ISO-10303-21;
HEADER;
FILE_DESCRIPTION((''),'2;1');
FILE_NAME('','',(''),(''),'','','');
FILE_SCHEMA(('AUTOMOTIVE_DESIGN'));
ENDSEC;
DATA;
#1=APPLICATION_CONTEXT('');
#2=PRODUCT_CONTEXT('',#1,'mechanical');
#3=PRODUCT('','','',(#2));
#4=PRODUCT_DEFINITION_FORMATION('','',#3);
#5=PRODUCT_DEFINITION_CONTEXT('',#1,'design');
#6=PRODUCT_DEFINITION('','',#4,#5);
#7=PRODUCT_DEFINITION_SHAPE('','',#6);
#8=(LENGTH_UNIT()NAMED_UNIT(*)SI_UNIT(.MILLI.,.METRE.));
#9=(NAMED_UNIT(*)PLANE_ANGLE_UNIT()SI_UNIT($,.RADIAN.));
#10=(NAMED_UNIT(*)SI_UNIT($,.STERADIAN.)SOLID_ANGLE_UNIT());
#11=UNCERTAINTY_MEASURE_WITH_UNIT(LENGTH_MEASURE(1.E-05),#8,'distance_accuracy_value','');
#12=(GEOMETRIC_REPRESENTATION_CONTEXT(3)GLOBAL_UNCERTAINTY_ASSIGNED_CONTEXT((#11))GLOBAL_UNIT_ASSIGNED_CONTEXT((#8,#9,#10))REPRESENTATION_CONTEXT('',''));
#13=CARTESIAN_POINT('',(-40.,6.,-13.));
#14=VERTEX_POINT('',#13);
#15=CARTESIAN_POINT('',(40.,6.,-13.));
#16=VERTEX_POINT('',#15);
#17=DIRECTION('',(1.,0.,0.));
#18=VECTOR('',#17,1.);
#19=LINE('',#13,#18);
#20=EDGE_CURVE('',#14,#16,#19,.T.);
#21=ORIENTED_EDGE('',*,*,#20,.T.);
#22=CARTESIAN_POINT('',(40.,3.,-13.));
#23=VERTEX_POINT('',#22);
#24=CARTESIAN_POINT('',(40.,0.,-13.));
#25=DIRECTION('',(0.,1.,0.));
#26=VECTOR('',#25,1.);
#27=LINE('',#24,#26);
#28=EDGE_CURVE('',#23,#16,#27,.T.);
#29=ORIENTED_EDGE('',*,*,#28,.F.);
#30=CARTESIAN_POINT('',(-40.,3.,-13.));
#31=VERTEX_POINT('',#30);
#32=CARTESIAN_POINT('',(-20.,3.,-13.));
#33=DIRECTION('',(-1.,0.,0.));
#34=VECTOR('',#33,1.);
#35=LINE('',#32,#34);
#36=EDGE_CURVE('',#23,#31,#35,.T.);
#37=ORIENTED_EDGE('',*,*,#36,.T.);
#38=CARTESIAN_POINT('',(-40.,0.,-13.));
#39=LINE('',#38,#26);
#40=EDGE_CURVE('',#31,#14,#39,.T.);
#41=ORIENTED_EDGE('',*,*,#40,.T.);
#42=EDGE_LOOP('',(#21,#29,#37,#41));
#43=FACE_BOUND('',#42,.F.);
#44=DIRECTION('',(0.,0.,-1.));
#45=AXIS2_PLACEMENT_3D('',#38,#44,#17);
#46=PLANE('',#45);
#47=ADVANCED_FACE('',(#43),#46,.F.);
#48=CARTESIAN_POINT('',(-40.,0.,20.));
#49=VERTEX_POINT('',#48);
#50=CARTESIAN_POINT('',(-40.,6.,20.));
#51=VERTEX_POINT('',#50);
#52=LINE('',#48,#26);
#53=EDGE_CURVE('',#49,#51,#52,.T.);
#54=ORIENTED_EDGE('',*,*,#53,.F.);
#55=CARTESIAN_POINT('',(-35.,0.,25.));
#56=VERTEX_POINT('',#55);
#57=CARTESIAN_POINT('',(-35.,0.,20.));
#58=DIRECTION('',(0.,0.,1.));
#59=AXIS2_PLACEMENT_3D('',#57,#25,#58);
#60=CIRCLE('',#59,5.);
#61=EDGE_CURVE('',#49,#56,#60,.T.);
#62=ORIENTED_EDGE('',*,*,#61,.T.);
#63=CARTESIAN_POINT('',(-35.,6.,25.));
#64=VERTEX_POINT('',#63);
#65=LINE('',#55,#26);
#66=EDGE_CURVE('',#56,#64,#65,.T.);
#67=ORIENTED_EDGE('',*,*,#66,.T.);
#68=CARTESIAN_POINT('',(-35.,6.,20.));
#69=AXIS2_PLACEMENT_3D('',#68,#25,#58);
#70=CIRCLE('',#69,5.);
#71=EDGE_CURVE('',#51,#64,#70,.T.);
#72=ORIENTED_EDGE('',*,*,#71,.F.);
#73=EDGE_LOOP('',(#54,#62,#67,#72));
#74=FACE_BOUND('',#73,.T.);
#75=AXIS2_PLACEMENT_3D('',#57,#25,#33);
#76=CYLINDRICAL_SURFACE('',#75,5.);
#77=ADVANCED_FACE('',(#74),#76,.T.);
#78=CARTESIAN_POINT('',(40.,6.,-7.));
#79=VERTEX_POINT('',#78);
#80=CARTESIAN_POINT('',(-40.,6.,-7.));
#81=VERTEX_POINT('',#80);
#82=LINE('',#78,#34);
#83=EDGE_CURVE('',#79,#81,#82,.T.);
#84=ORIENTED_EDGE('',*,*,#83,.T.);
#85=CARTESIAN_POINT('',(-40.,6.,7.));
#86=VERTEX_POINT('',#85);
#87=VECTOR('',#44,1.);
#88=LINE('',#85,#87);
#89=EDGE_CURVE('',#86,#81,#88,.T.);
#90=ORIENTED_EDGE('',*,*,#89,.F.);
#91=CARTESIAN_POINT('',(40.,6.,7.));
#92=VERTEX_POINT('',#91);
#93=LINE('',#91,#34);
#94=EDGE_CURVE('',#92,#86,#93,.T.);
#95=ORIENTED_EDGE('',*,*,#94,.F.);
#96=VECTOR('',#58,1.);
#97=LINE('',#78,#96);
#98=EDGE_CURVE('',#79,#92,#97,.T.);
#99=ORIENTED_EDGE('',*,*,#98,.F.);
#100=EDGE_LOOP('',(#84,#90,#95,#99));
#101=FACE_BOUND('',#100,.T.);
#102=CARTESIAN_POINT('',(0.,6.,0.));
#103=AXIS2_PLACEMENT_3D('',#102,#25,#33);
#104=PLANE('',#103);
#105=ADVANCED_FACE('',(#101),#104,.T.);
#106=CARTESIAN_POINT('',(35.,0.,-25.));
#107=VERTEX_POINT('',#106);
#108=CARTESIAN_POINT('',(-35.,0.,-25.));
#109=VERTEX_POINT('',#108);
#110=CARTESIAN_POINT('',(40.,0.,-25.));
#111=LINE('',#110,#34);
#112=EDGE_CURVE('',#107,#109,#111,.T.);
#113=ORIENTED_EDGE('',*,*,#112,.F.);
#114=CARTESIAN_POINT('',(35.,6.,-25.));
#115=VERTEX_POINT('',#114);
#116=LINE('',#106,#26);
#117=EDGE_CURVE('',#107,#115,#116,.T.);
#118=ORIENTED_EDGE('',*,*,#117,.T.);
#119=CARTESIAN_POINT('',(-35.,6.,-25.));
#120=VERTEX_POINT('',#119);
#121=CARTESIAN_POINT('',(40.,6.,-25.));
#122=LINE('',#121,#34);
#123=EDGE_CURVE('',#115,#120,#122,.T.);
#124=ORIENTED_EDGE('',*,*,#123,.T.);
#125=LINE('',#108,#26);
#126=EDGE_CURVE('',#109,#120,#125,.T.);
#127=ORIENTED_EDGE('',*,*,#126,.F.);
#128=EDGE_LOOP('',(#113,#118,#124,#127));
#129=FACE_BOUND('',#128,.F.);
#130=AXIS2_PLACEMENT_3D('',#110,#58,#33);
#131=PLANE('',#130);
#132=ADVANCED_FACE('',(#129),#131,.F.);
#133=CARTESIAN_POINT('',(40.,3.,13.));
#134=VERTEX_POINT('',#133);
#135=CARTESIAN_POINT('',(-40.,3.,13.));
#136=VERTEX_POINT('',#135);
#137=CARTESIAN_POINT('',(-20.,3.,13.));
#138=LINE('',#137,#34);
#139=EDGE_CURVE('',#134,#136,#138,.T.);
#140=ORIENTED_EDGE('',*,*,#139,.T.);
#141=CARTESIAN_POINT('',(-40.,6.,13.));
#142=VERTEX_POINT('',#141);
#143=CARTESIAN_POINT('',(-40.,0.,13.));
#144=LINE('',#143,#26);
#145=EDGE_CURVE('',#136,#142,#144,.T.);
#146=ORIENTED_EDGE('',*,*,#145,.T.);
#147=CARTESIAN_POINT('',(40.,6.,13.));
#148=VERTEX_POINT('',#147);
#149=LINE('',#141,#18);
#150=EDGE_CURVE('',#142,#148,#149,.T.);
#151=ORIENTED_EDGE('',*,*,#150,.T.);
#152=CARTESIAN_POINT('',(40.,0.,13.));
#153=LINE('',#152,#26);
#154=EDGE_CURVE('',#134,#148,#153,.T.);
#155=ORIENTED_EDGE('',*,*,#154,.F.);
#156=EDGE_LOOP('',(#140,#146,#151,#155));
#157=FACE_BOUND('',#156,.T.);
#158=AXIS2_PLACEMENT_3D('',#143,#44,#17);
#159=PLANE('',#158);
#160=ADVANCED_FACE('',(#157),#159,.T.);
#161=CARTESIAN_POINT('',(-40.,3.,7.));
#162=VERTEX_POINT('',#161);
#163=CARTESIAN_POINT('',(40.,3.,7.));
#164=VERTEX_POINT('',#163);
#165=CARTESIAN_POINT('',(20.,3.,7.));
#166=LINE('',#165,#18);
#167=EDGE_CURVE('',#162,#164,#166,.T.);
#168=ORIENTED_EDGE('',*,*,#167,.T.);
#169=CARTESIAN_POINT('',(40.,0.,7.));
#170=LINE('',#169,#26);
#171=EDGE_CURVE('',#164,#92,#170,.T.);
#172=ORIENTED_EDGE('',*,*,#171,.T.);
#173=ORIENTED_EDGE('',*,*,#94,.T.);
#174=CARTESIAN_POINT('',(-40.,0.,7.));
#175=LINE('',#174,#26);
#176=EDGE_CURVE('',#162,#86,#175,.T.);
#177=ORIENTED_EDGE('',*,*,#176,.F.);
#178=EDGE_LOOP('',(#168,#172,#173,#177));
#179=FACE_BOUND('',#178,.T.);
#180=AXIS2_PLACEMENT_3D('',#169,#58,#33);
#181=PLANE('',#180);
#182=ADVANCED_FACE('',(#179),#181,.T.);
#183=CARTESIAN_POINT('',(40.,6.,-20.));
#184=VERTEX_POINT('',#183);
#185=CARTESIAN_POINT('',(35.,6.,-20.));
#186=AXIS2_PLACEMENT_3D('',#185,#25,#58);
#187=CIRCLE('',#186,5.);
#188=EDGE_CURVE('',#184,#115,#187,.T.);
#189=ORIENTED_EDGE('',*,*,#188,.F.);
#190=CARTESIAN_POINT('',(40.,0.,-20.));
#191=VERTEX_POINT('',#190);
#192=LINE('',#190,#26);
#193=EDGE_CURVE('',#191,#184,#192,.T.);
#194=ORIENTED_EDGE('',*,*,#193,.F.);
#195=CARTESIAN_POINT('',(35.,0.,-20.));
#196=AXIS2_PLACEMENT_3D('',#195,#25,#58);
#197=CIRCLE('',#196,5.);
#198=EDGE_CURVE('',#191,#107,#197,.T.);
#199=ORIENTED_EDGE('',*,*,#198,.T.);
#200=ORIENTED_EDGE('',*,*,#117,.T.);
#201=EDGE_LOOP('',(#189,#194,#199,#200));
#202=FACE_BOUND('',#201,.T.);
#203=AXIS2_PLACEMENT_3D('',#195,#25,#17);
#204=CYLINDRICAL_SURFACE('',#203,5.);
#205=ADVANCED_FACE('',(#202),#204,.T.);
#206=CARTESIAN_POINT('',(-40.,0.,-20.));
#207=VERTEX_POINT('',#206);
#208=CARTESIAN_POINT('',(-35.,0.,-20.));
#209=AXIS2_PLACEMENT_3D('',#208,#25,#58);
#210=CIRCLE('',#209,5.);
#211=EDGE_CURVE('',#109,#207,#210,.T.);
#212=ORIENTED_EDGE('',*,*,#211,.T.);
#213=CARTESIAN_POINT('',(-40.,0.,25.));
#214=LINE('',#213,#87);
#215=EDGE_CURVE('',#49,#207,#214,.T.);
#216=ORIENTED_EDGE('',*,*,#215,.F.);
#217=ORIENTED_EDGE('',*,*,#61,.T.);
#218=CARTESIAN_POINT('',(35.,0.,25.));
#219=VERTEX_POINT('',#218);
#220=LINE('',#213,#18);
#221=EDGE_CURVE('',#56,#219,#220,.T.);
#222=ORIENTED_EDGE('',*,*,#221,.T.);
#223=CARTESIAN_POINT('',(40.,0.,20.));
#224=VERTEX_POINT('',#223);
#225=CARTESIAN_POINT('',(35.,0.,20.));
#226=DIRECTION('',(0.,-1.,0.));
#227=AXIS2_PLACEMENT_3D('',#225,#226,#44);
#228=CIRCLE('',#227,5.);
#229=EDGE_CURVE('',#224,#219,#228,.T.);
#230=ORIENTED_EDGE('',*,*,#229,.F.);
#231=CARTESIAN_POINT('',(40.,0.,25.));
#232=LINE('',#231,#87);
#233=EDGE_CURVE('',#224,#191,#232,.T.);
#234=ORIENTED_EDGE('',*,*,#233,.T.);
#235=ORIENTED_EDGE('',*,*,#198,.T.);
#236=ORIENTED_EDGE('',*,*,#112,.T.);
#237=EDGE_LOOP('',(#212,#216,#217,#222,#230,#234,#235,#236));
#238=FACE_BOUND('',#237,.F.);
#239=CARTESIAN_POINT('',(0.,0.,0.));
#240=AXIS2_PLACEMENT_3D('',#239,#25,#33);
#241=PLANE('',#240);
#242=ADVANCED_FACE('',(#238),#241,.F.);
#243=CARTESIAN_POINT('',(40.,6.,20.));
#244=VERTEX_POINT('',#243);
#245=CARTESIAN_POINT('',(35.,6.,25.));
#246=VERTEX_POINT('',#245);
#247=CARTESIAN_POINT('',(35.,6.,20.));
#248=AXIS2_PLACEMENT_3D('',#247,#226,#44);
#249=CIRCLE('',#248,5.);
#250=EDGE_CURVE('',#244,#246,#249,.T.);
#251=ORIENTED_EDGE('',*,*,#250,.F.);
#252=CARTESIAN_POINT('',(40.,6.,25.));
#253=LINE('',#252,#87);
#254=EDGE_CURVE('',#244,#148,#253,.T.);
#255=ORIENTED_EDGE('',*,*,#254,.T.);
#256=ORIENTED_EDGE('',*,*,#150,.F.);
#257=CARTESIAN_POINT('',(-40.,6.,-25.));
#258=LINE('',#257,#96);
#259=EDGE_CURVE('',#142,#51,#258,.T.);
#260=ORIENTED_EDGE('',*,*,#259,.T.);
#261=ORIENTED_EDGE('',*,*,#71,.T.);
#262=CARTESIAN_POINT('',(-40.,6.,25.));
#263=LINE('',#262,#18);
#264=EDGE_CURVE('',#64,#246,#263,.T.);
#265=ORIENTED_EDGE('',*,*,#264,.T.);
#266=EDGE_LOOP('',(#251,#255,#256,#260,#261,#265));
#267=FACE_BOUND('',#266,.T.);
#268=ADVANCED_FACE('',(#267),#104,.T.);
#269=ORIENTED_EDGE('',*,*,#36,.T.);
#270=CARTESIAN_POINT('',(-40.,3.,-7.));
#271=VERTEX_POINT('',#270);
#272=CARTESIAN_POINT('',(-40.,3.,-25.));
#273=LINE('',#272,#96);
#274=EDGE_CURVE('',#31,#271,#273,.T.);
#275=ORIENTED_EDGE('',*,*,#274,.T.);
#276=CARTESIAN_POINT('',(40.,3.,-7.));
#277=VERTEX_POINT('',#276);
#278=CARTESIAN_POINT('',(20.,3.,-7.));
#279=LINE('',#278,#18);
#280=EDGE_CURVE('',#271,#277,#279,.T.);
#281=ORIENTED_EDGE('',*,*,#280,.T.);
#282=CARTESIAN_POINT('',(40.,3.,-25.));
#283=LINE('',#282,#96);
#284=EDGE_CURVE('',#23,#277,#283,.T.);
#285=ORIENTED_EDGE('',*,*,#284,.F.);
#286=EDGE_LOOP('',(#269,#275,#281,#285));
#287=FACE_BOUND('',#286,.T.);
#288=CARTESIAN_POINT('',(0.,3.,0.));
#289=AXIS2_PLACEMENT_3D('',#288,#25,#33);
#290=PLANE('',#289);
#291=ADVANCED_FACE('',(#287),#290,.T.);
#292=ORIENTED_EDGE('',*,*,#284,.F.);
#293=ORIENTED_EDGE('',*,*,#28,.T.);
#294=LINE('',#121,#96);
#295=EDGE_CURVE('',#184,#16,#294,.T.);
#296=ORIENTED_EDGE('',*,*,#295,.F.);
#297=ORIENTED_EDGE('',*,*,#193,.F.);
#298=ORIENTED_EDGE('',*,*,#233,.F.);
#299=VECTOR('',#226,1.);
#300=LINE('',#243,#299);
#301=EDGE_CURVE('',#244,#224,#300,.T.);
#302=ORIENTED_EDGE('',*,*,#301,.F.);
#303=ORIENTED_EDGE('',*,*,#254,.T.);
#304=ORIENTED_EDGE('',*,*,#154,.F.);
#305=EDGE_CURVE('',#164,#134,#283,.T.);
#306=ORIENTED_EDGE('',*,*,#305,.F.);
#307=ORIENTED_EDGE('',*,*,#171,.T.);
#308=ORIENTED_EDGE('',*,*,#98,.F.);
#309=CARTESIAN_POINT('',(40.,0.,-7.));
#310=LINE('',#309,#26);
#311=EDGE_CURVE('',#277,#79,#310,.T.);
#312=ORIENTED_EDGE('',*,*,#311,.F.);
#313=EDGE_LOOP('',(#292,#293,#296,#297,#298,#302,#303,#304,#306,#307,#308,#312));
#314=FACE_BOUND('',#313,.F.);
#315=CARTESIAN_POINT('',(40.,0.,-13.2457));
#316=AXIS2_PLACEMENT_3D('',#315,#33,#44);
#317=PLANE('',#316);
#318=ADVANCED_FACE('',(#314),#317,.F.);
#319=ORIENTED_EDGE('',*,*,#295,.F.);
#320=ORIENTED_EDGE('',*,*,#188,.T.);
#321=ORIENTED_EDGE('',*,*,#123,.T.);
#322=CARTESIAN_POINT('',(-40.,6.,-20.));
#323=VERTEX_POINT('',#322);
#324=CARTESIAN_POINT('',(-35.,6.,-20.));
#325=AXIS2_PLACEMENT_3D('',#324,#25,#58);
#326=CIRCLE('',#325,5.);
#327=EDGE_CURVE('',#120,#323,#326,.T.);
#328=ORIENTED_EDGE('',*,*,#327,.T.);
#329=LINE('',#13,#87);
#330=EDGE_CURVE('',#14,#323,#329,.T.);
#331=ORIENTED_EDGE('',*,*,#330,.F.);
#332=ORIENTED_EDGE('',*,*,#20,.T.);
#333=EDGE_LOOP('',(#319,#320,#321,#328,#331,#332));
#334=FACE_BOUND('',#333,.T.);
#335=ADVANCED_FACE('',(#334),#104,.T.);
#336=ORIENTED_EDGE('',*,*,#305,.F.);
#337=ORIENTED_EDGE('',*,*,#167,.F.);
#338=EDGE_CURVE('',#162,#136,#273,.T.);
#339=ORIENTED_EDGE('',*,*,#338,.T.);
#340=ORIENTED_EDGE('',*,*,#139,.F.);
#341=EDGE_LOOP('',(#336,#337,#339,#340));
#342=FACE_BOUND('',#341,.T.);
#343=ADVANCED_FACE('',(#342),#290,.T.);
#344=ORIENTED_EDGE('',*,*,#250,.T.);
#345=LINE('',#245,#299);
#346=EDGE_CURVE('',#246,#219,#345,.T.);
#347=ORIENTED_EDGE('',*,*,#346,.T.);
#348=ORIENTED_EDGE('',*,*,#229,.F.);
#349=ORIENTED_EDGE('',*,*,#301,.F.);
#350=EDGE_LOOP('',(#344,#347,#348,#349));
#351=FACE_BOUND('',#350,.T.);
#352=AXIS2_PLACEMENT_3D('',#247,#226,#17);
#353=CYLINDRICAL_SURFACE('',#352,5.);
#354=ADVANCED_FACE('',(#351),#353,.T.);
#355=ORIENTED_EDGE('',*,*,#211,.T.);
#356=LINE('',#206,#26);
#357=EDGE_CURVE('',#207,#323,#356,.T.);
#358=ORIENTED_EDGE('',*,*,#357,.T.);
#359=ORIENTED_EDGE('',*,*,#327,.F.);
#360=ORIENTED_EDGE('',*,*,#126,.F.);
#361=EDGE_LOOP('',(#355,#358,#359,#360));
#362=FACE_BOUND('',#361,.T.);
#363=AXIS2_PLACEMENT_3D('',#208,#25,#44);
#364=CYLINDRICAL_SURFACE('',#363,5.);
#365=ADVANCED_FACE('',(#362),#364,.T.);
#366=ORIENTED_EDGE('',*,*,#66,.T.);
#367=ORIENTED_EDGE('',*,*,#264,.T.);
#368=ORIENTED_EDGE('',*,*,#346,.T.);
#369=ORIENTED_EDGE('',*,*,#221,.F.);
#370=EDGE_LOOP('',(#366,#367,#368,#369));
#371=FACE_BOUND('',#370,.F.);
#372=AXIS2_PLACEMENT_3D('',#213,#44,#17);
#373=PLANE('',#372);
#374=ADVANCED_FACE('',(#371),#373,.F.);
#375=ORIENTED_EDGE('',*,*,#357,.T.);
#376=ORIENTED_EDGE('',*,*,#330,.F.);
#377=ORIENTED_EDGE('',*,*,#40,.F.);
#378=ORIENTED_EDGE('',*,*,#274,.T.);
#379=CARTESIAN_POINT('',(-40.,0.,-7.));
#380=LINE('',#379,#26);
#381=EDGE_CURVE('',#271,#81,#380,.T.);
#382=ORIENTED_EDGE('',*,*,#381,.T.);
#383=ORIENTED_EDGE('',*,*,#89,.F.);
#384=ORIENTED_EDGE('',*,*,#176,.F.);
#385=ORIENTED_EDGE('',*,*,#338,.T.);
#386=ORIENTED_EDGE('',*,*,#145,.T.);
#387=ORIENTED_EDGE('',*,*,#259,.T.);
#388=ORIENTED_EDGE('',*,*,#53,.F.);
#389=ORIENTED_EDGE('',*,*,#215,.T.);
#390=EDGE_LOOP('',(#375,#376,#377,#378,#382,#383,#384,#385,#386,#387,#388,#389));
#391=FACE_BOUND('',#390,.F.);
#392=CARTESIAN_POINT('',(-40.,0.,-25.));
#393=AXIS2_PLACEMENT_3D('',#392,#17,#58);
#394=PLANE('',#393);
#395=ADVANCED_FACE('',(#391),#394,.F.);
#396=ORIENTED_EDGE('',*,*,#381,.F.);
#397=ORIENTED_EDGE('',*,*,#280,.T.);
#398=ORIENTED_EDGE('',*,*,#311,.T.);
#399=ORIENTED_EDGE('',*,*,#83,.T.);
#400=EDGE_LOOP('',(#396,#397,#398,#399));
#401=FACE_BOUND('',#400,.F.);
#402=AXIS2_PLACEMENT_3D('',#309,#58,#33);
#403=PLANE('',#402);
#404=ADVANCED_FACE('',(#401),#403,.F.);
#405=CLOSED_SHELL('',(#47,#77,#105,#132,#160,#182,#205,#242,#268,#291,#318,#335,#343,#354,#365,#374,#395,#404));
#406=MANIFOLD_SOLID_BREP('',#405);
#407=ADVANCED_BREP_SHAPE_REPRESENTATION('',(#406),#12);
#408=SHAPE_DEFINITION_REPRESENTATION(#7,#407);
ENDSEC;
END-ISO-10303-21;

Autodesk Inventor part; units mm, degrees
ref_plane "YZ Plane" through (0, 0, 0) normal (1, 0, 0) x (0, 1, 0)
ref_plane "XZ Plane" through (0, 0, 0) normal (0, 1, 0) x (-1, 0, 0)
ref_plane "XY Plane" through (0, 0, 0) normal (0, 0, 1) x (1, 0, 0)
sketch "Sketch2" plane through (0, 0, 0) normal (0, 1, 0) x (-1, 0, 0)
  line L0 (-40, -25) -> (40, -25)
  line L1 (40, -25) -> (40, 25)
  line L2 (40, 25) -> (-40, 25)
  line L3 (-40, 25) -> (-40, -25)
  line L4 (-40, -25) -> (40, 25) construction
  line L5 (40, -25) -> (-40, 25) construction
  line L6 (40, 13) -> (-40, 13)
  line L7 (-40, 13) -> (-40, 7)
  line L8 (-40, 7) -> (40, 7)
  line L9 (40, 7) -> (40, 13)
  line L10 (-40, -4.7355) -> (-40, -13.2457)
  line L11 (40, -14.533) -> (40, -4.7355)
  line L12 (0, 0) -> (16.546, 0)
  line L13 (40, -13) -> (-40, -13)
  line L14 (-40, -7) -> (40, -7)
  point P0 (-40, 13)
  dimension "d8" = 80
  dimension "d9" = 50
  dimension "d10" = 6
  dimension "d11" = 14
extrude "Extrusion1" add sketch "Sketch2" along normal blind 3
extrude "Extrusion2" add sketch "Sketch2" along normal blind 6 contours L3 L13 L1 L0 | L3 L8 L1 L14 | L3 L2 L1 L6
fillet "Fillet1" radius 5 4 edges at (-40, 3, -25) (-40, 3, 25) (40, 3, -25) (40, 3, 25)
properties part number "Plate"
